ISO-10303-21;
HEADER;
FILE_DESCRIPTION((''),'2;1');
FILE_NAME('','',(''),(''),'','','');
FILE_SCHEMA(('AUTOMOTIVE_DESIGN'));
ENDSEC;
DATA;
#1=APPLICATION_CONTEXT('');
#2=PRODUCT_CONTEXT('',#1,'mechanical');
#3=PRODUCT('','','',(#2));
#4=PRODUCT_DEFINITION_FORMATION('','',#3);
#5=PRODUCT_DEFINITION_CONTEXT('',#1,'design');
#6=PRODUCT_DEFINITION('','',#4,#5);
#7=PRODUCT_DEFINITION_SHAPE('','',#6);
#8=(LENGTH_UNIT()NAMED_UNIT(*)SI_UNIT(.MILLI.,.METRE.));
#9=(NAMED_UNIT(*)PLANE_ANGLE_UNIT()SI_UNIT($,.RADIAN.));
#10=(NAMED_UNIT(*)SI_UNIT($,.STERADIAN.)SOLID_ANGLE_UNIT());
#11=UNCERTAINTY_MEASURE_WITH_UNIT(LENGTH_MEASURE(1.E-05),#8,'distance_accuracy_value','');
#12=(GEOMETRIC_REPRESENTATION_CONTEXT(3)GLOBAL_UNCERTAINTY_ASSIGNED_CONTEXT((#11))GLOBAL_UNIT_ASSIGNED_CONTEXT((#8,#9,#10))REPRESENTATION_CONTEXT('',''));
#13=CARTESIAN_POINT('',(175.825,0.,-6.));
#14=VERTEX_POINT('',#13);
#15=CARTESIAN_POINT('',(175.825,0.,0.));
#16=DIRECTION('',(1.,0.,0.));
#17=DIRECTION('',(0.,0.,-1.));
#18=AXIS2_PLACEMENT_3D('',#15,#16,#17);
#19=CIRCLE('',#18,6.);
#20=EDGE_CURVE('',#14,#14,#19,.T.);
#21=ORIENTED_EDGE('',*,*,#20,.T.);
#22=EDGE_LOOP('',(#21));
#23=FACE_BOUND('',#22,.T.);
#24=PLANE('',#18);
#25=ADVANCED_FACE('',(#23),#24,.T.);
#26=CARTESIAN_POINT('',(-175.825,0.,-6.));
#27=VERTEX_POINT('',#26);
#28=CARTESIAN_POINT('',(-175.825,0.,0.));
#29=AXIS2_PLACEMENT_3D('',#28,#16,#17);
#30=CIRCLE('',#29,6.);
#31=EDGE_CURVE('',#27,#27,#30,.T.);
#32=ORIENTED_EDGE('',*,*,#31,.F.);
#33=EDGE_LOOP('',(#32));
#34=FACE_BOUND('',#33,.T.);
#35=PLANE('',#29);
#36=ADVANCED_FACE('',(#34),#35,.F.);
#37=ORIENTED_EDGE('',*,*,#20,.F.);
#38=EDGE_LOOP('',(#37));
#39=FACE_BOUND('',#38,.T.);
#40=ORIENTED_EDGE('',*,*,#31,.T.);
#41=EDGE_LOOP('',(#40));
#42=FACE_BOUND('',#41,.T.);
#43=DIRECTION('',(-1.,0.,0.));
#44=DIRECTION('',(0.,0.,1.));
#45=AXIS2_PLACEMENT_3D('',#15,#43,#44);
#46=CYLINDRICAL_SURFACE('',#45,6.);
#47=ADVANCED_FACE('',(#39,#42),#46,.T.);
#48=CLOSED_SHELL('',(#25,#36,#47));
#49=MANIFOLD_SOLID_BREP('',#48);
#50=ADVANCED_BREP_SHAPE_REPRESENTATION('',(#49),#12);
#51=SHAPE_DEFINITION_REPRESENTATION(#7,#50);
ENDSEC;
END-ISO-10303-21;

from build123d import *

# Parameters (mm, degrees)
SKETCH1_R           = 6
BOSS_EXTRUDE1_DEPTH = 175.825


with BuildPart() as part:
    # Sketch1 → Boss-Extrude1 (new body, symmetric)
    with BuildSketch(Plane(origin=(0, 0, 0), x_dir=(0, 0, -1), z_dir=(1, 0, 0))):
        Circle(SKETCH1_R)
    extrude(amount=BOSS_EXTRUDE1_DEPTH, both=True)


solid = part.part
